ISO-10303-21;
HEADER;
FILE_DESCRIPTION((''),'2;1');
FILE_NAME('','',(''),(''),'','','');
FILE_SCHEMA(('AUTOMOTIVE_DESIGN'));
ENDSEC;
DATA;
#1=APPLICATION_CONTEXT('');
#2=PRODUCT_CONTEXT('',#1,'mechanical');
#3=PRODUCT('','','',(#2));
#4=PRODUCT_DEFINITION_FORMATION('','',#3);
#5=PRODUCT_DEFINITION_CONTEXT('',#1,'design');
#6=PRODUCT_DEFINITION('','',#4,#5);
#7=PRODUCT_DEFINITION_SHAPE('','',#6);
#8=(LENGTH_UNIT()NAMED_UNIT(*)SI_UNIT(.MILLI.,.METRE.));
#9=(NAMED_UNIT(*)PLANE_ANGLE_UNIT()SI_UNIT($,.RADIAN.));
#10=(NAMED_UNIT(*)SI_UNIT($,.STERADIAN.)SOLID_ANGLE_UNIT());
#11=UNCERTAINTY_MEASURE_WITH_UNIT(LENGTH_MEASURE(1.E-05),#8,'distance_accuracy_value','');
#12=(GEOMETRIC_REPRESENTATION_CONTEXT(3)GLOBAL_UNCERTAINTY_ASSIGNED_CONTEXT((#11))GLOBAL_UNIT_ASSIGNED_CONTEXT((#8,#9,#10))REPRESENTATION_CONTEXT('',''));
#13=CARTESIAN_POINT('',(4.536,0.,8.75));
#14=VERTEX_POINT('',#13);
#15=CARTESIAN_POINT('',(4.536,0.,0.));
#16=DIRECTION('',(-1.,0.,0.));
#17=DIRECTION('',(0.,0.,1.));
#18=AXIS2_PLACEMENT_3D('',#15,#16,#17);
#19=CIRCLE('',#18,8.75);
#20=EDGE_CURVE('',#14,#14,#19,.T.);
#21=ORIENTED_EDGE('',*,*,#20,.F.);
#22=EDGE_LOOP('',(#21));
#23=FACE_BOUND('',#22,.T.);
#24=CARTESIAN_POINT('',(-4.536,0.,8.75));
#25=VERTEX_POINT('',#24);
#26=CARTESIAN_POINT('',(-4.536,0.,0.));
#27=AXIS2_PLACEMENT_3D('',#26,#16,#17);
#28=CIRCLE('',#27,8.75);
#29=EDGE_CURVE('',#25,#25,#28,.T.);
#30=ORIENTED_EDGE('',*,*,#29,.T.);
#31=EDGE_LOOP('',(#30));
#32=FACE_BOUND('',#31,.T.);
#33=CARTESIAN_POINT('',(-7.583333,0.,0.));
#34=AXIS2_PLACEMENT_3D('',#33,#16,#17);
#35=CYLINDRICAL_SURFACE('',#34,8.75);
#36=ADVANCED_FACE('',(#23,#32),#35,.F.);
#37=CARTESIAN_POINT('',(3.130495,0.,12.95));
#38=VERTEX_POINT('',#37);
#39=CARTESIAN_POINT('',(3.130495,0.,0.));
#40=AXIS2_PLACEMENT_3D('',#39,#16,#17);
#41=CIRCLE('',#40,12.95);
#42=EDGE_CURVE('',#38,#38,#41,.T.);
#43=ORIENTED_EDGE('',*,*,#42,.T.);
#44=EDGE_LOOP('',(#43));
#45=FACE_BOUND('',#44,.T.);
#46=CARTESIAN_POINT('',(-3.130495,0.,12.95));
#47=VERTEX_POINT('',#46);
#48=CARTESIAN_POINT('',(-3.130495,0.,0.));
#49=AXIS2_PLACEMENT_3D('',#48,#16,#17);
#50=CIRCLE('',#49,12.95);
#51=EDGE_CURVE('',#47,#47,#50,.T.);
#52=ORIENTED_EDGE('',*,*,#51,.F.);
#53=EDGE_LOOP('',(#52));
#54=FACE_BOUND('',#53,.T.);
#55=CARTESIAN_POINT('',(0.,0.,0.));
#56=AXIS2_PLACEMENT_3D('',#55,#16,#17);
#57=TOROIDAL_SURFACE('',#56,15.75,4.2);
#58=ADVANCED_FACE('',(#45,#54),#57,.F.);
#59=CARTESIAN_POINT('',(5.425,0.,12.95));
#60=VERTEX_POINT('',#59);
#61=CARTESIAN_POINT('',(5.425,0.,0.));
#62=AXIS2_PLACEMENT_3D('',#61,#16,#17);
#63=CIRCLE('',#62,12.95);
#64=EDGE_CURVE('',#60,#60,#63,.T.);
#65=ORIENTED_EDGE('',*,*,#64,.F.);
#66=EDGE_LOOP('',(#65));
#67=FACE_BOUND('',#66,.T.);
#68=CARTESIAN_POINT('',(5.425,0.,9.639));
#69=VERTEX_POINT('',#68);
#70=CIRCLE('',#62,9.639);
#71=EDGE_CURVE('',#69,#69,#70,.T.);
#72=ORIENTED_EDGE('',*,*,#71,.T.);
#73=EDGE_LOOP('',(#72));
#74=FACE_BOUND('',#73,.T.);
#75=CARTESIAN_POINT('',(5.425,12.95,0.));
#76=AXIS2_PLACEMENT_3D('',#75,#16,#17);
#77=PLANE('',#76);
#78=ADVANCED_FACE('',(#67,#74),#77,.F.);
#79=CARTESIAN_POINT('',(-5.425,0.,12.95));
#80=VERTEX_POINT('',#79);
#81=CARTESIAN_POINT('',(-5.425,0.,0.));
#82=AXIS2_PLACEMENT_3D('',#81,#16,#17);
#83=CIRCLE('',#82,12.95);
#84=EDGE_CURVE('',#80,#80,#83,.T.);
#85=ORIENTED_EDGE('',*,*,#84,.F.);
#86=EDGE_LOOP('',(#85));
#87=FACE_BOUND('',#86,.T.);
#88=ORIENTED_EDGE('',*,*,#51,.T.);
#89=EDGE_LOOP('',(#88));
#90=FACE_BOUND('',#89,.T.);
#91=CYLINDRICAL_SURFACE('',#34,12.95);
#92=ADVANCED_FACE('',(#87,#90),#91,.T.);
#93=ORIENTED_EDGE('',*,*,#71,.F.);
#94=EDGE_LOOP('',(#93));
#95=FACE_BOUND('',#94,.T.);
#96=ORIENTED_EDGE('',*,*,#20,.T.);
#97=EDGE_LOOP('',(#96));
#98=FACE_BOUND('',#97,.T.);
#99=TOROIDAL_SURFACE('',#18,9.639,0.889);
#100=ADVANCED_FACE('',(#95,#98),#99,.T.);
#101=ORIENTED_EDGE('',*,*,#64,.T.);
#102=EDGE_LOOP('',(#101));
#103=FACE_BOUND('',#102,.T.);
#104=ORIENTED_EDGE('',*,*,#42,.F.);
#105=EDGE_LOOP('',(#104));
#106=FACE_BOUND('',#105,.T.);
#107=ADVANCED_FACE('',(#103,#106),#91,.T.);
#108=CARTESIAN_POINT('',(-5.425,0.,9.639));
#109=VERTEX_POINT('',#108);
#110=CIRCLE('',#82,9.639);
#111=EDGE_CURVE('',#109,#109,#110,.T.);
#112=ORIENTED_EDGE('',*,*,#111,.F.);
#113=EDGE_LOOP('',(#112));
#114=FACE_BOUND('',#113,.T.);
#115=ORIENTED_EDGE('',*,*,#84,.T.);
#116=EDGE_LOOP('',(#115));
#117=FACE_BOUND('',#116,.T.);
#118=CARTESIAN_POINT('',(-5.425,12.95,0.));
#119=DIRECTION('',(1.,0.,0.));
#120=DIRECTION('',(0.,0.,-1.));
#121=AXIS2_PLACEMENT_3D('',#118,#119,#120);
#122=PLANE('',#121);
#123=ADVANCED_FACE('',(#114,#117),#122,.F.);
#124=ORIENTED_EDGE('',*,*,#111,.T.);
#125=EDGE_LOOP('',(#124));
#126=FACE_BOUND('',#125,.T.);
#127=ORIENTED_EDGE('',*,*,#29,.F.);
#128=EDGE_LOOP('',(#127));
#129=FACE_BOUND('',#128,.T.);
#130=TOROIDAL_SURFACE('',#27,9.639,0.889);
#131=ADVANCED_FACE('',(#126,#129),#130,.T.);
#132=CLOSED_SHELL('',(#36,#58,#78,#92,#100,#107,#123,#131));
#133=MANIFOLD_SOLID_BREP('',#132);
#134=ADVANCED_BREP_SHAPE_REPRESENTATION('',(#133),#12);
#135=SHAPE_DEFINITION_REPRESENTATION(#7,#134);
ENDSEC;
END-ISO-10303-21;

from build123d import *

# Parameters (mm, degrees)
SCALE1_SCALE = 0.35


with BuildPart() as part:
    # Sketch1 → Revolve1 (revolve)
    with BuildSketch(Plane.XY, mode=Mode.PRIVATE) as revolve1_sk:
        with BuildLine():
            Line((-15.5, 37), (-8.94427191, 37))
            ThreePointArc((-8.94427191, 37), (0, 33), (8.94427191, 37))
            Line((8.94427191, 37), (15.5, 37))
            Line((15.5, 37), (15.5, 27.54))
            ThreePointArc((15.5, 27.54), (14.756051224, 25.743948776), (12.96, 25))
            Line((12.96, 25), (-12.96, 25))
            ThreePointArc((-12.96, 25), (-14.756051224, 25.743948776), (-15.5, 27.54))
            Line((-15.5, 27.54), (-15.5, 37))
        make_face()
    revolve(revolve1_sk.sketch.rotate(Axis((-21.666666667, 0, 0), (1, 0, 0)), 90), axis=Axis((-21.666666667, 0, 0), (1, 0, 0)))


with BuildPart() as part_1:
    # Scale1: scaled about (0, 0, 0)
    add(part.part.scale(SCALE1_SCALE))


solid = part_1.part
